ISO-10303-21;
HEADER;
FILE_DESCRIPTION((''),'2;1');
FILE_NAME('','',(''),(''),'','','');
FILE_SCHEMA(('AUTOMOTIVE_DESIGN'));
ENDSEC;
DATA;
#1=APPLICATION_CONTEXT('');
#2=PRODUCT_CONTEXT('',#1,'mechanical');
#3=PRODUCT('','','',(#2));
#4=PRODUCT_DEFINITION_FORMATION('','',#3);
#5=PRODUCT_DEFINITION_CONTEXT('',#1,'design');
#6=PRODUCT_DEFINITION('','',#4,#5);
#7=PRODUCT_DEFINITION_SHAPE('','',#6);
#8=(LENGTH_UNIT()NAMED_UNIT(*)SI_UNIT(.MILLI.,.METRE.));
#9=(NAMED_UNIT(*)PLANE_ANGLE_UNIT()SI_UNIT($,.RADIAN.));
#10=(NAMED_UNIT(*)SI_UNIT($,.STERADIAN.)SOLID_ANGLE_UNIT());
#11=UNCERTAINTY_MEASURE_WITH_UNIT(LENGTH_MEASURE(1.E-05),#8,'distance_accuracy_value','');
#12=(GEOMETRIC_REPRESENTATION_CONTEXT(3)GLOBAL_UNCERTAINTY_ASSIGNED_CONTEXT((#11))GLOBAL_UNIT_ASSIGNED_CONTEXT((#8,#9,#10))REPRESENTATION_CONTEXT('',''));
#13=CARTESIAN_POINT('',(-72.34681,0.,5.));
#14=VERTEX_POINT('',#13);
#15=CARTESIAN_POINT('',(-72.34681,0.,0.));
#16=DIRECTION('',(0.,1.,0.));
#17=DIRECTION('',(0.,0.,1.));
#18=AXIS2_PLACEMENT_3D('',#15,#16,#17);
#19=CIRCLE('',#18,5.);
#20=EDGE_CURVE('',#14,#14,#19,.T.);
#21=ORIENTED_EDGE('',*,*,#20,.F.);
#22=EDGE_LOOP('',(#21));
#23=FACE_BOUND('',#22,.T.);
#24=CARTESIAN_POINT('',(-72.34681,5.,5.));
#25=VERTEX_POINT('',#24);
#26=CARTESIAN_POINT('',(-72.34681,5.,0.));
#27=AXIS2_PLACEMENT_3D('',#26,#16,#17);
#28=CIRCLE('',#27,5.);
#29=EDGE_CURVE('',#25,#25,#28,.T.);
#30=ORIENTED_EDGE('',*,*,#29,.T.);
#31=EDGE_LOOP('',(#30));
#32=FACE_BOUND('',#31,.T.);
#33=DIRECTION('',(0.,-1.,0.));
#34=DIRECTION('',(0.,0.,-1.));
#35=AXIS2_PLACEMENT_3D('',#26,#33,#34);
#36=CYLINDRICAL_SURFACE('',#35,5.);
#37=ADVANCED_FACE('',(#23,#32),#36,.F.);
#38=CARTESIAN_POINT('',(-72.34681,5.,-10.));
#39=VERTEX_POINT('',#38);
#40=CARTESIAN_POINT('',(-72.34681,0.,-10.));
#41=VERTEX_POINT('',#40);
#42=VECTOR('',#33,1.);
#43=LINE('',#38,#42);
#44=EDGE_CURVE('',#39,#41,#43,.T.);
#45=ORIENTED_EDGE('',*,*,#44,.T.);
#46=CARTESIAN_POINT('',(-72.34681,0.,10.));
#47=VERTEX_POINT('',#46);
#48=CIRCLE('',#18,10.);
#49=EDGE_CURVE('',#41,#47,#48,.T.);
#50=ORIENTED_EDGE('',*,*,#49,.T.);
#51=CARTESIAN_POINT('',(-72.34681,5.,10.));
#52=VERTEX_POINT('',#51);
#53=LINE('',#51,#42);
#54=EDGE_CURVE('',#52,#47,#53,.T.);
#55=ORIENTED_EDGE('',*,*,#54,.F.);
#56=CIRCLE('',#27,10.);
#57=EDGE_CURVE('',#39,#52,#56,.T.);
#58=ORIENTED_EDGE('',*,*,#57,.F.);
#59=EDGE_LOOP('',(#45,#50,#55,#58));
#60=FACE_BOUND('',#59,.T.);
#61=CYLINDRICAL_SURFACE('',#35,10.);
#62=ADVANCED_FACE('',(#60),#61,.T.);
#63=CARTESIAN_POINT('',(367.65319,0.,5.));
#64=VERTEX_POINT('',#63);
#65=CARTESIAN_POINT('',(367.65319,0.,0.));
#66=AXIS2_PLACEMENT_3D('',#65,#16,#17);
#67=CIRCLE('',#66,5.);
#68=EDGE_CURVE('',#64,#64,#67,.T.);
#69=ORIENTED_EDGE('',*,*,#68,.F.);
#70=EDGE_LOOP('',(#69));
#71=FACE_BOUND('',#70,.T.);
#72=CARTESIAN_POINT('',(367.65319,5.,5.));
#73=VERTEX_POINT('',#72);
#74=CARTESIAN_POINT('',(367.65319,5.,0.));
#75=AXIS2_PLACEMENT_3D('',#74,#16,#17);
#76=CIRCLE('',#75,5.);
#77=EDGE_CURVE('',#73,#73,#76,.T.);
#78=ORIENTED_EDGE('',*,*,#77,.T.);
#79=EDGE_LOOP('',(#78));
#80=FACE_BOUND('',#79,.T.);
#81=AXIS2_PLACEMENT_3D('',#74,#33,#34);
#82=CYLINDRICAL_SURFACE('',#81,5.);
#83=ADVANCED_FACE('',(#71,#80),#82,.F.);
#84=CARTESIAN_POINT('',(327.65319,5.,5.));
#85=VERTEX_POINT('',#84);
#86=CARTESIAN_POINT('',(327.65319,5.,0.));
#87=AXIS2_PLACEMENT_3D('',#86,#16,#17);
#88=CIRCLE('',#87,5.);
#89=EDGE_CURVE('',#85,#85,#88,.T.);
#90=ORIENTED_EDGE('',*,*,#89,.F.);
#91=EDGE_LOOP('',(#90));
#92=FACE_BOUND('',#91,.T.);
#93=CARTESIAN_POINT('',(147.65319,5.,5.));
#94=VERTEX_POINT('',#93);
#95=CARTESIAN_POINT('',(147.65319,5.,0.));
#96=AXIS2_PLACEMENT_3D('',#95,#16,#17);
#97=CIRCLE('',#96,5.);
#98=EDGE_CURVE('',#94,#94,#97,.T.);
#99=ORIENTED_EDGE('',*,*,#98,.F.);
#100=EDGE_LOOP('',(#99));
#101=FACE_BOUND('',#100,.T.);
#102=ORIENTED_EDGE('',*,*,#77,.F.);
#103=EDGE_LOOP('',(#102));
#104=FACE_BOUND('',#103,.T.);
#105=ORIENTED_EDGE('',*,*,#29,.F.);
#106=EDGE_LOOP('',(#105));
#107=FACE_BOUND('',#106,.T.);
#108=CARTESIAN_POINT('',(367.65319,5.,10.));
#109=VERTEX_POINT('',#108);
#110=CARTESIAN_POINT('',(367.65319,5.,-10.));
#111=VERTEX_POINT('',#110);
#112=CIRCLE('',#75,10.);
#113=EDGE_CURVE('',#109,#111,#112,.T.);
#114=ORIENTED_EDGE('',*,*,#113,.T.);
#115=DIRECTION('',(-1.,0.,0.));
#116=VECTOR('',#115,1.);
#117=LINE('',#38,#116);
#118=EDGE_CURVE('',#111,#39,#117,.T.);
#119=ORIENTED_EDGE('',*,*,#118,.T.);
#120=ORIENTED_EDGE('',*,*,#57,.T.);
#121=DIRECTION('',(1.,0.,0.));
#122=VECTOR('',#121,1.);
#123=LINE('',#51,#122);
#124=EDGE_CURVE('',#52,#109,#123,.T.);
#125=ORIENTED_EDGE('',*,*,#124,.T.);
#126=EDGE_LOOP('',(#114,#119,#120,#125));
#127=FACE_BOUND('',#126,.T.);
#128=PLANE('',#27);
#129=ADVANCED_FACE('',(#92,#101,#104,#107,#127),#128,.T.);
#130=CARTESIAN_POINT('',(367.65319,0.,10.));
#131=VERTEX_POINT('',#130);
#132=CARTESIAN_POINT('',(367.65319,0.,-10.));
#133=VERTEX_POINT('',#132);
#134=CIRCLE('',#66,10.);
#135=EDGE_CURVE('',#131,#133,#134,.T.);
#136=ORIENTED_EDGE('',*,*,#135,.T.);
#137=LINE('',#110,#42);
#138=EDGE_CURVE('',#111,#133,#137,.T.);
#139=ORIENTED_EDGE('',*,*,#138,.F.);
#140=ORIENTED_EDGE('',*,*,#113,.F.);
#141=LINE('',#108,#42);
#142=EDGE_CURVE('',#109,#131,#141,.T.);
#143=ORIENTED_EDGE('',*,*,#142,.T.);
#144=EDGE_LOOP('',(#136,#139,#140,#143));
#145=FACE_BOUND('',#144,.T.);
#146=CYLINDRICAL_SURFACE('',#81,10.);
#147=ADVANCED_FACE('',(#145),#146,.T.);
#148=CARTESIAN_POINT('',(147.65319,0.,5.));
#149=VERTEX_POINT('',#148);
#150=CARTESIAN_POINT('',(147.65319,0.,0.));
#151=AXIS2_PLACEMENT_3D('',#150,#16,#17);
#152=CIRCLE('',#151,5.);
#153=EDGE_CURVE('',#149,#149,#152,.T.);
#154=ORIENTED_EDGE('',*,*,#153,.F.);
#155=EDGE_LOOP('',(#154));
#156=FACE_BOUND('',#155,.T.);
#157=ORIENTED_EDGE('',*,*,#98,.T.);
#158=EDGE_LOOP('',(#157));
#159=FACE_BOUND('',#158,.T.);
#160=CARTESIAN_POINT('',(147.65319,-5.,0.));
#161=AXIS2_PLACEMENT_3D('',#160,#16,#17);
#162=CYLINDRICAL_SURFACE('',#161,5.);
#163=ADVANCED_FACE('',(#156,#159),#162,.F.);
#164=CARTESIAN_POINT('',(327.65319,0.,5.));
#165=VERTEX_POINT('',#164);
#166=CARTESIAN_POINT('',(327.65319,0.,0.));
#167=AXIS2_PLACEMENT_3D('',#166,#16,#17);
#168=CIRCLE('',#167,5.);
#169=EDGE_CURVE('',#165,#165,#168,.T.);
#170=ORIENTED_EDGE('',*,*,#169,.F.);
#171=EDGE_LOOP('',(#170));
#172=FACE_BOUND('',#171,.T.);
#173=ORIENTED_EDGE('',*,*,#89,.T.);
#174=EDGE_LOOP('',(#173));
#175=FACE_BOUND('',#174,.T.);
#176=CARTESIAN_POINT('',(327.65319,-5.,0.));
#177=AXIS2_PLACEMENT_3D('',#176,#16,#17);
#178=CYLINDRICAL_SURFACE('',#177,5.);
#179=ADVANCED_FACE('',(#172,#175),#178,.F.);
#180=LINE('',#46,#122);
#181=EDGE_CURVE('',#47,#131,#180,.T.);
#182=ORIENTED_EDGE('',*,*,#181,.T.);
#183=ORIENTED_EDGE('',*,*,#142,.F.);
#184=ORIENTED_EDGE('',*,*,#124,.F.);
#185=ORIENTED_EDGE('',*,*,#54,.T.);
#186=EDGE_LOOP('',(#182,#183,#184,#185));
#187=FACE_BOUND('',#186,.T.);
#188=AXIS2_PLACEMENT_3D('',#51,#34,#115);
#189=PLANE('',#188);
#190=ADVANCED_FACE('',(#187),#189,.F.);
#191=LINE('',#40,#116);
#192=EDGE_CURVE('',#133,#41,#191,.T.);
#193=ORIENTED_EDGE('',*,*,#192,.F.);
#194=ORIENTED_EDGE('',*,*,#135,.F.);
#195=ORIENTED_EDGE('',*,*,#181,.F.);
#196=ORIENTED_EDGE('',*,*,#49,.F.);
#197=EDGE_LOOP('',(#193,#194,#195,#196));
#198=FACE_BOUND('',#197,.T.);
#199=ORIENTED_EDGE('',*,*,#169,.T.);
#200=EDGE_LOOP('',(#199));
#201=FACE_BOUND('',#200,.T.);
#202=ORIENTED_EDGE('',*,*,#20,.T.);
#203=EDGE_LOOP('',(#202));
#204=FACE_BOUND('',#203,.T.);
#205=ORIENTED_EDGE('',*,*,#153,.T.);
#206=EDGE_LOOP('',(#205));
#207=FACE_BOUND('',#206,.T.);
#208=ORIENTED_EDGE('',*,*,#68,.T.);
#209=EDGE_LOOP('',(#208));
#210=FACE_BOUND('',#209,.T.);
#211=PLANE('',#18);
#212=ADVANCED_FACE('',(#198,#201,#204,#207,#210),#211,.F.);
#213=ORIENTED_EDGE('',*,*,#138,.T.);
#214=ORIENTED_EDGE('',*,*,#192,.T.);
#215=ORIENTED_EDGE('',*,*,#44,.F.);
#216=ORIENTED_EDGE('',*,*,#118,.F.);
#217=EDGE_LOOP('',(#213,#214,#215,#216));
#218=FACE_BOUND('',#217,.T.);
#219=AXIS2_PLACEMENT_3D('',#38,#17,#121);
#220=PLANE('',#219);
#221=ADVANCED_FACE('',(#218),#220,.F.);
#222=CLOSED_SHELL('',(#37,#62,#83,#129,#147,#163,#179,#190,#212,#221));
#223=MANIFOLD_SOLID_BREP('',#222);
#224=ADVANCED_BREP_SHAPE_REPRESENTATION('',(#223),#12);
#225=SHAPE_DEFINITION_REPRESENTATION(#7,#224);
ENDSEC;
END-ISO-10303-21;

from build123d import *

# Parameters (mm, degrees)
SKETCH1_R           = 5
BOSS_EXTRUDE1_DEPTH = 5
SKETCH3_R           = 5
CUT_EXTRUDE1_DEPTH  = 10


with BuildPart() as part:
    # Sketch1 → Boss-Extrude1 (new body)
    with BuildSketch(Plane(origin=(0, 0, 0), x_dir=(1, 0, 0), z_dir=(0, 1, 0))):
        with BuildLine():
            Line((-72.346809709, 10), (367.653190291, 10))
            ThreePointArc((367.653190291, 10), (377.653190291, 0), (367.653190291, -10))
            Line((367.653190291, -10), (-72.346809709, -10))
            ThreePointArc((-72.346809709, -10), (-82.346809709, 0), (-72.346809709, 10))
        make_face()
        with Locations(Location((-72.346809709, 0, 0), (0, 0, 270))):
            Circle(SKETCH1_R, mode=Mode.SUBTRACT)
        with Locations(Location((367.653190291, 0, 0), (0, 0, 270))):
            Circle(SKETCH1_R, mode=Mode.SUBTRACT)
    extrude(amount=BOSS_EXTRUDE1_DEPTH)

    # Sketch3 → Cut-Extrude1 (cut)
    with BuildSketch(Plane(origin=(0, 5, 0), x_dir=(1, 0, 0), z_dir=(0, 1, 0))):
        with Locations(Location((327.653190291, 0, 0), (0, 0, 270))):
            Circle(SKETCH3_R)
        with Locations(Location((147.653190291, 0, 0), (0, 0, 270))):
            Circle(SKETCH3_R)
    extrude(amount=-CUT_EXTRUDE1_DEPTH, mode=Mode.SUBTRACT)


solid = part.part
